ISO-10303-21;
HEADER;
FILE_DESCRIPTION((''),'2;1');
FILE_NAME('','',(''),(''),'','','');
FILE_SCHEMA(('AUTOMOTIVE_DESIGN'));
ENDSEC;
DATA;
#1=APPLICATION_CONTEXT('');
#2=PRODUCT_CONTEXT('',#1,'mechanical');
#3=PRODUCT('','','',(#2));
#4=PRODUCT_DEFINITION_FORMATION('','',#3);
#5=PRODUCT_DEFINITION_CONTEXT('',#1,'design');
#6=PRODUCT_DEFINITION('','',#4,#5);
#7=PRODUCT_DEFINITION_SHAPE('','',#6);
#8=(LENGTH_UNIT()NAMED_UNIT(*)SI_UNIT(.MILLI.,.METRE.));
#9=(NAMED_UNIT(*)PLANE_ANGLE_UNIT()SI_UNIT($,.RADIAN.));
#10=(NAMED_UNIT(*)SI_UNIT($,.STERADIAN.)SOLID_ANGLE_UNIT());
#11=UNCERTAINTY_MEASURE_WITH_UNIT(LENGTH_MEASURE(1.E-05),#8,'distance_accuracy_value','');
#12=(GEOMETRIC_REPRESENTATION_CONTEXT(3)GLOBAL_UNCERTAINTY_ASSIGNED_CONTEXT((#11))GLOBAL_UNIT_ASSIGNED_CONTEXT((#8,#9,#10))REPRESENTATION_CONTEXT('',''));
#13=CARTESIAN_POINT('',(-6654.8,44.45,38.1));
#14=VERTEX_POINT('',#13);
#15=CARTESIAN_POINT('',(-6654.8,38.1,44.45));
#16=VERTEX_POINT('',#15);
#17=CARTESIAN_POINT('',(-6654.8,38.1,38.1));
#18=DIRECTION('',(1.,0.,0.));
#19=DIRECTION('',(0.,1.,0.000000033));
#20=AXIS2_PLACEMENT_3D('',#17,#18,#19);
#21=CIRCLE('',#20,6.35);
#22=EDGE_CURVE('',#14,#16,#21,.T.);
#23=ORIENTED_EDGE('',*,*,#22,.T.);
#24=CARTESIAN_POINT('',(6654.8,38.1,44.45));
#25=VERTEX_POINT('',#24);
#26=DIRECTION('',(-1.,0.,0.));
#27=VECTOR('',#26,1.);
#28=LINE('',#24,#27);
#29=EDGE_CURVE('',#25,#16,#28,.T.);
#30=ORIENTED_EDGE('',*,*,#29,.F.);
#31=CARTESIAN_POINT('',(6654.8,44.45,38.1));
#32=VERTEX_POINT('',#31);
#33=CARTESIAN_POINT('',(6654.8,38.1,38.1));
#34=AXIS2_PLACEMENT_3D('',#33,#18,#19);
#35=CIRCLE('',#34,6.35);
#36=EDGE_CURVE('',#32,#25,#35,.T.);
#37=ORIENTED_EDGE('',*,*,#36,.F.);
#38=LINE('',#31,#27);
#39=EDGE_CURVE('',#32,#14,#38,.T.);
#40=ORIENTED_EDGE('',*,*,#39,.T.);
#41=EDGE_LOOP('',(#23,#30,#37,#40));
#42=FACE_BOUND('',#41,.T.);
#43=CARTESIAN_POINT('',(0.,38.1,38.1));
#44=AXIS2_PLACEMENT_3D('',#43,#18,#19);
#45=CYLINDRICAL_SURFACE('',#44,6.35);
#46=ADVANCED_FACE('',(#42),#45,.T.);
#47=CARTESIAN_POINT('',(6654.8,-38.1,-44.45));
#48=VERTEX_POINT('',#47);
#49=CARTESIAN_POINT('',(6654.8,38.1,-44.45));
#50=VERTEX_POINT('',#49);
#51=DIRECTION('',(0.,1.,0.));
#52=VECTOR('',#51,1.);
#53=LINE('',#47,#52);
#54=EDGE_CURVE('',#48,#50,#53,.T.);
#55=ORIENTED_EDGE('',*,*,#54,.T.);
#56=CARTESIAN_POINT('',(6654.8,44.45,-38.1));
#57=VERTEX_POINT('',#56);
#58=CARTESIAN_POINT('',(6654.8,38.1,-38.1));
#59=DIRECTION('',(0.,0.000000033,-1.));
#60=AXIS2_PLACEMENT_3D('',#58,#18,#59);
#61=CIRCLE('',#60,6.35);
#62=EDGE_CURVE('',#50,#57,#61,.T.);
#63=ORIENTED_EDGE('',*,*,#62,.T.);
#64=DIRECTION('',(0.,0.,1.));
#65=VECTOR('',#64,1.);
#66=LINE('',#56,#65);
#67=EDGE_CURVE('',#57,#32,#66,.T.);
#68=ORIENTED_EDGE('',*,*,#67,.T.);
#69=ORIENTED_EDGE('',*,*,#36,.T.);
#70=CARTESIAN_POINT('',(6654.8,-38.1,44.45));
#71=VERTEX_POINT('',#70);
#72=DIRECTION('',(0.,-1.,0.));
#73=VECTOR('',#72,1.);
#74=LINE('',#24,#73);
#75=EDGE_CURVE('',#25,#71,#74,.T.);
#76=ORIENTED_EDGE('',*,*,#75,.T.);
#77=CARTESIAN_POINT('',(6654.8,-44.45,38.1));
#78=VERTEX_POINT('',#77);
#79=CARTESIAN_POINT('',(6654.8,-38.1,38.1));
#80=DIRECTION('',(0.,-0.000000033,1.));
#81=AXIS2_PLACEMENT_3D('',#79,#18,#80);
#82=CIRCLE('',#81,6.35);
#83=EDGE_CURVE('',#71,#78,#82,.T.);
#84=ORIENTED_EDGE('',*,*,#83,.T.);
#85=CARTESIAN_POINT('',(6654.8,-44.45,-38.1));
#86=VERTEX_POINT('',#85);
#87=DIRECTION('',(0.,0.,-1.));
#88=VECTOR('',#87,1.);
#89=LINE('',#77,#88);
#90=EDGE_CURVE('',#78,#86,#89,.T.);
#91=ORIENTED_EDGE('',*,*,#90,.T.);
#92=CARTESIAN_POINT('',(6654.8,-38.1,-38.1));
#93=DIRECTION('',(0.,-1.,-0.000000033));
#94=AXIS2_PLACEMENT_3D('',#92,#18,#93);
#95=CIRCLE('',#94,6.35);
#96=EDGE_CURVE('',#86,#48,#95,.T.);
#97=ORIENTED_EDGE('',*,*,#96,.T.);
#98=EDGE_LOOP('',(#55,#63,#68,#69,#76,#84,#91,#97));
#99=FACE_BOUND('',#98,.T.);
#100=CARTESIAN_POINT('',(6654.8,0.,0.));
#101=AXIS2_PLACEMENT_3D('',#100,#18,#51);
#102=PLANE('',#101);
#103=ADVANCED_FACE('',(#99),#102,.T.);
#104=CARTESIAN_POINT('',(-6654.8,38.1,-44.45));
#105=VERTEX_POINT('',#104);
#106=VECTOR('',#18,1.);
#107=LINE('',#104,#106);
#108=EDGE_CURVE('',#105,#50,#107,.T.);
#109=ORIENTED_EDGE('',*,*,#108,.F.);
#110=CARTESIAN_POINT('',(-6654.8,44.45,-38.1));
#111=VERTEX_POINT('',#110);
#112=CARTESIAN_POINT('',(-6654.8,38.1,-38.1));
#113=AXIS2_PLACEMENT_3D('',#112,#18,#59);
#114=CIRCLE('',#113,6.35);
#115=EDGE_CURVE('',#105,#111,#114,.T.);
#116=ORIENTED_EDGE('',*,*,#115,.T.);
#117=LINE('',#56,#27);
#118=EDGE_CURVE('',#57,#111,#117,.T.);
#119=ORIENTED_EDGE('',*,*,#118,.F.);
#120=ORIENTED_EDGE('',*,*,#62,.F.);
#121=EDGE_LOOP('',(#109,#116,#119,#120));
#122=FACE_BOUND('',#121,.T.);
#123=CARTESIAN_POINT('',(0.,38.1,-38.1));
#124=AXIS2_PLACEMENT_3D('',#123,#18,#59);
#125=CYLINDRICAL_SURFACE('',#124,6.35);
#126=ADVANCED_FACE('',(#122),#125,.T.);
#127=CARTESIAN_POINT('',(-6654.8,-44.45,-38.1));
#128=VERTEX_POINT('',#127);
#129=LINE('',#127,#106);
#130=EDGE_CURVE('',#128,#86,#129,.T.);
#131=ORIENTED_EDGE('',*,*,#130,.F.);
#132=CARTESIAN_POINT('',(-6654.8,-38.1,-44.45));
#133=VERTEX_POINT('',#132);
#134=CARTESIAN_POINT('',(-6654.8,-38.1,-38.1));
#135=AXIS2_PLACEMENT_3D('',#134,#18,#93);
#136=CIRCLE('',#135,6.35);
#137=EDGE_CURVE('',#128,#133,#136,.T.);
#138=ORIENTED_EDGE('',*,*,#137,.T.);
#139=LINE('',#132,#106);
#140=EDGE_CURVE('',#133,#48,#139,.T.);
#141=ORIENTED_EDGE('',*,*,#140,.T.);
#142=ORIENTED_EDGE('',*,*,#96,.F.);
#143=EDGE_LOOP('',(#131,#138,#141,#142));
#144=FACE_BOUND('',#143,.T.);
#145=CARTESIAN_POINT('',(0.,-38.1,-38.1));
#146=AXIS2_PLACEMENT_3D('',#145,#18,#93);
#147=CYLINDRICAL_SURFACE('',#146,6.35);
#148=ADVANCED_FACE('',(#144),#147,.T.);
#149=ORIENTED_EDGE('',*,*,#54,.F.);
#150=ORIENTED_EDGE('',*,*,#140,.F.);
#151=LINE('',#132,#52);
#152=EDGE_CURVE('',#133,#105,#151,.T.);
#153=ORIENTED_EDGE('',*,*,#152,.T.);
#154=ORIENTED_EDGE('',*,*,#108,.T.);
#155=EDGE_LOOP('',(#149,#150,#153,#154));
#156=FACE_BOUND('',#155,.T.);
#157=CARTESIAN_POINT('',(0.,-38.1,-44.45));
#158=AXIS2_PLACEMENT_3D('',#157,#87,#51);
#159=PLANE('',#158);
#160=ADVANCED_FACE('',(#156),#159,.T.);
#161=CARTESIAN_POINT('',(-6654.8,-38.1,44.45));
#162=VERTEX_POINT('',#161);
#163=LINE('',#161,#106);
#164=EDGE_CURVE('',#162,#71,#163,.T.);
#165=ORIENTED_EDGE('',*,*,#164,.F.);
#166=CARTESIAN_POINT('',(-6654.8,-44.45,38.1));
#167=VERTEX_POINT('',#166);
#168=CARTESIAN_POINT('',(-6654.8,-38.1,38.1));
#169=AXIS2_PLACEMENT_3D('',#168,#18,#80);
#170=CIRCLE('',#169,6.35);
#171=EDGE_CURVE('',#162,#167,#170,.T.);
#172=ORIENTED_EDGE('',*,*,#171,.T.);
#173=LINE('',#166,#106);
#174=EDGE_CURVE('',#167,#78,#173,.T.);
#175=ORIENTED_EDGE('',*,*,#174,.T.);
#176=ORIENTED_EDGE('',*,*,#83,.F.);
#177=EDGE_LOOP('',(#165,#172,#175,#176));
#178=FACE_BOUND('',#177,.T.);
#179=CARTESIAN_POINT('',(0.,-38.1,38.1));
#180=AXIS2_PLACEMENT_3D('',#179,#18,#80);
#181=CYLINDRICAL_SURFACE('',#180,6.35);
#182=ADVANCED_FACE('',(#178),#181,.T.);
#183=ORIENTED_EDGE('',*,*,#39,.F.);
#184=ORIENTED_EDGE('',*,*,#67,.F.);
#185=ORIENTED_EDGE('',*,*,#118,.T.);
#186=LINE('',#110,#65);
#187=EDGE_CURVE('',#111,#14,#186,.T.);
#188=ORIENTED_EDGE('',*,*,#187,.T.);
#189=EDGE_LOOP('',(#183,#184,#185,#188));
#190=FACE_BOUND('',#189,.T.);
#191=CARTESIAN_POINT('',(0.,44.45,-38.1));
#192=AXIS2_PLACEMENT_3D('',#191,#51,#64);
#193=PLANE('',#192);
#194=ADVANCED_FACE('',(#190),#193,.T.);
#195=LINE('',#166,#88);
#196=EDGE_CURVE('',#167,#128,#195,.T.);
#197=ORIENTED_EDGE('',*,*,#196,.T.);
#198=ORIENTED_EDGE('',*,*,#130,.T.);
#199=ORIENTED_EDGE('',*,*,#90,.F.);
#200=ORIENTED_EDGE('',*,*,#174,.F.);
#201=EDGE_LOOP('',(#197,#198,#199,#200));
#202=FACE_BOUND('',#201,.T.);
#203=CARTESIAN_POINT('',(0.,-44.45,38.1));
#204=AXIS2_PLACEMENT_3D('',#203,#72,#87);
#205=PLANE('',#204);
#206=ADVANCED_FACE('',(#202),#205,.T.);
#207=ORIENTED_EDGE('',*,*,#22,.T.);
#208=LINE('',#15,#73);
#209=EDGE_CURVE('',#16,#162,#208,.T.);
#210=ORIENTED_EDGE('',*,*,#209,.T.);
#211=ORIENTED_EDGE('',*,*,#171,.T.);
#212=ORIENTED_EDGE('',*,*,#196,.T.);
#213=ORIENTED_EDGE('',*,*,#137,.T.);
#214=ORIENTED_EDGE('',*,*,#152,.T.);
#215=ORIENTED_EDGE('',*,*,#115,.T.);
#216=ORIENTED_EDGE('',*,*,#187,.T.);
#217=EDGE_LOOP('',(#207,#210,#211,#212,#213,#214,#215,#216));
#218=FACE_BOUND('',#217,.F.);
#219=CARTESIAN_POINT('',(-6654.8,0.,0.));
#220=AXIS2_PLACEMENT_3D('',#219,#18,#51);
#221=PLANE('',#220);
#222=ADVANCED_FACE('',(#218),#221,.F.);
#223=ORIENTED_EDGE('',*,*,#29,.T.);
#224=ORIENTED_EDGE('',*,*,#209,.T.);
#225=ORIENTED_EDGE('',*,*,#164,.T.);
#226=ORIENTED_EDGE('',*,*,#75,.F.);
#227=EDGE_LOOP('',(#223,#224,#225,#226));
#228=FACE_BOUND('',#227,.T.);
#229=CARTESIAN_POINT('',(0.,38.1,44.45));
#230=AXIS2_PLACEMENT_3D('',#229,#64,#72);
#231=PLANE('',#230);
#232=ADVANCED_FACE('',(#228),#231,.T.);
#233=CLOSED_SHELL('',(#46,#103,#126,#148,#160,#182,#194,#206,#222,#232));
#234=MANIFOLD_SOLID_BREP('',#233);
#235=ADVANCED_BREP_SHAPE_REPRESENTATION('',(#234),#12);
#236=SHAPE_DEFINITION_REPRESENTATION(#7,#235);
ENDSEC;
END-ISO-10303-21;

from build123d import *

# Parameters (mm, degrees)
F1_DEPTH = 6654.8


with BuildPart() as f1:
    # F0 (on Right) → F1 (new body, symmetric)
    with BuildSketch(Plane.YZ):
        with BuildLine():
            Line((38.1, 44.45), (-38.1, 44.45))
            ThreePointArc((-38.1, 44.45), (-42.590128, 42.590128), (-44.45, 38.1))
            Line((-44.45, 38.1), (-44.45, -38.1))
            ThreePointArc((-44.45, -38.1), (-42.590128, -42.590128), (-38.1, -44.45))
            Line((-38.1, -44.45), (38.1, -44.45))
            ThreePointArc((38.1, -44.45), (42.590128, -42.590128), (44.45, -38.1))
            Line((44.45, -38.1), (44.45, 38.1))
            ThreePointArc((44.45, 38.1), (42.590128, 42.590128), (38.1, 44.45))
        make_face()
    extrude(amount=F1_DEPTH, both=True)


solid = f1.part
